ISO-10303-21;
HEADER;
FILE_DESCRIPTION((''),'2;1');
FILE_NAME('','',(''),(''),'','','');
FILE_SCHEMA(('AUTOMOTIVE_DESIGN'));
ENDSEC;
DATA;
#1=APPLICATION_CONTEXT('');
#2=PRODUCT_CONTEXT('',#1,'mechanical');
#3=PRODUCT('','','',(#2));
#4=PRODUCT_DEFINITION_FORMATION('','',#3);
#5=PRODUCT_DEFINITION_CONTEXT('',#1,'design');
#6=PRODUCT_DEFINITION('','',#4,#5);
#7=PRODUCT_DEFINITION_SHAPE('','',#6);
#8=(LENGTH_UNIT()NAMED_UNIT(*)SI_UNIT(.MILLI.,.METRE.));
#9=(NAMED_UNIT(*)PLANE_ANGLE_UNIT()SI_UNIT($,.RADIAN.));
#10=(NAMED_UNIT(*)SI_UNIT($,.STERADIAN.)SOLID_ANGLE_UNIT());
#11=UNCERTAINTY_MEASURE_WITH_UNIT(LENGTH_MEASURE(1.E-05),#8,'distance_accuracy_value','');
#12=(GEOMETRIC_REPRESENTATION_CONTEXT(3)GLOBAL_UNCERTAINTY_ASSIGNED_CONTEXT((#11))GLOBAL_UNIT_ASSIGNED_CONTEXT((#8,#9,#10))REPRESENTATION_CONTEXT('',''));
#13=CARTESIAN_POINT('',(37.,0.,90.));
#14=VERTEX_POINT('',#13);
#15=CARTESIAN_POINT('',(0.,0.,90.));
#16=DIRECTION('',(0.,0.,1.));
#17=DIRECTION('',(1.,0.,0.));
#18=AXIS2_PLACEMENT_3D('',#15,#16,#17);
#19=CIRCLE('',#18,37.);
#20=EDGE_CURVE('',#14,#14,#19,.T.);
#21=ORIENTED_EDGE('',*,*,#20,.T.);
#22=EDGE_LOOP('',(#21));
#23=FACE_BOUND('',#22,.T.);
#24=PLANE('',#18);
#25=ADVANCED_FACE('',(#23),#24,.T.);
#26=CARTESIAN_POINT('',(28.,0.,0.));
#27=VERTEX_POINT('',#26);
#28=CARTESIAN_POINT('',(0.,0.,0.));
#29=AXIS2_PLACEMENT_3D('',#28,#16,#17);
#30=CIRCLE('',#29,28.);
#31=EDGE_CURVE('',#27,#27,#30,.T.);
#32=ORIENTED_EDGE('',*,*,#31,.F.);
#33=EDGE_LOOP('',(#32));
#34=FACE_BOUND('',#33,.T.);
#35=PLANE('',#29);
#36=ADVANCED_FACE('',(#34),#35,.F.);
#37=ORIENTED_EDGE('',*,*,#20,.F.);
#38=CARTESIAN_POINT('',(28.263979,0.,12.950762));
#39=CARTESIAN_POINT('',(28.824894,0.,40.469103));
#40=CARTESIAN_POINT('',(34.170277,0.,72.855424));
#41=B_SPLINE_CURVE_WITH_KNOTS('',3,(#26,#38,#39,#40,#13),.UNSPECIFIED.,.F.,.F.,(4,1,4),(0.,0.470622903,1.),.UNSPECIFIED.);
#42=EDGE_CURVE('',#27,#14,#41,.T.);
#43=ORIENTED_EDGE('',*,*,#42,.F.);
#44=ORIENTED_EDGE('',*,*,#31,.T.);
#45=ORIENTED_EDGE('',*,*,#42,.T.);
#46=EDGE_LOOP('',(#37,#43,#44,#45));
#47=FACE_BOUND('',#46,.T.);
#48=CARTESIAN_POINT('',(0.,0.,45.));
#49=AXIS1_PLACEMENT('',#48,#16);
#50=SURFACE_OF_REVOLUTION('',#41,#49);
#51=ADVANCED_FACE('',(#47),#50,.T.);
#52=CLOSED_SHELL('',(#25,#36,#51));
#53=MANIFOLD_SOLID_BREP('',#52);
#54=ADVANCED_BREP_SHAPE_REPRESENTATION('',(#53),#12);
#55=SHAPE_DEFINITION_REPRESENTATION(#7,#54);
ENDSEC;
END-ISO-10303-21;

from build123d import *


with BuildPart() as f1:
    # F0 (on Front) → F1 (revolve)
    with BuildSketch(Plane.XZ):
        with BuildLine():
            Line((0, 0), (28, 0))
            add(Edge.make_bspline(
                [(28, 0), (28.2639793617, 12.9507617395), (28.8248941836, 40.469103201), (34.170276844, 72.8554236778), (37, 90)],
                knots=[0, 0, 0, 0, 0.4706229028, 1, 1, 1, 1], degree=3))
            Line((37, 90), (0, 90))
            Line((0, 90), (0, 0))
        make_face()
    revolve(axis=Axis((0, 0, 45), (0, 0, 1)))


solid = f1.part
